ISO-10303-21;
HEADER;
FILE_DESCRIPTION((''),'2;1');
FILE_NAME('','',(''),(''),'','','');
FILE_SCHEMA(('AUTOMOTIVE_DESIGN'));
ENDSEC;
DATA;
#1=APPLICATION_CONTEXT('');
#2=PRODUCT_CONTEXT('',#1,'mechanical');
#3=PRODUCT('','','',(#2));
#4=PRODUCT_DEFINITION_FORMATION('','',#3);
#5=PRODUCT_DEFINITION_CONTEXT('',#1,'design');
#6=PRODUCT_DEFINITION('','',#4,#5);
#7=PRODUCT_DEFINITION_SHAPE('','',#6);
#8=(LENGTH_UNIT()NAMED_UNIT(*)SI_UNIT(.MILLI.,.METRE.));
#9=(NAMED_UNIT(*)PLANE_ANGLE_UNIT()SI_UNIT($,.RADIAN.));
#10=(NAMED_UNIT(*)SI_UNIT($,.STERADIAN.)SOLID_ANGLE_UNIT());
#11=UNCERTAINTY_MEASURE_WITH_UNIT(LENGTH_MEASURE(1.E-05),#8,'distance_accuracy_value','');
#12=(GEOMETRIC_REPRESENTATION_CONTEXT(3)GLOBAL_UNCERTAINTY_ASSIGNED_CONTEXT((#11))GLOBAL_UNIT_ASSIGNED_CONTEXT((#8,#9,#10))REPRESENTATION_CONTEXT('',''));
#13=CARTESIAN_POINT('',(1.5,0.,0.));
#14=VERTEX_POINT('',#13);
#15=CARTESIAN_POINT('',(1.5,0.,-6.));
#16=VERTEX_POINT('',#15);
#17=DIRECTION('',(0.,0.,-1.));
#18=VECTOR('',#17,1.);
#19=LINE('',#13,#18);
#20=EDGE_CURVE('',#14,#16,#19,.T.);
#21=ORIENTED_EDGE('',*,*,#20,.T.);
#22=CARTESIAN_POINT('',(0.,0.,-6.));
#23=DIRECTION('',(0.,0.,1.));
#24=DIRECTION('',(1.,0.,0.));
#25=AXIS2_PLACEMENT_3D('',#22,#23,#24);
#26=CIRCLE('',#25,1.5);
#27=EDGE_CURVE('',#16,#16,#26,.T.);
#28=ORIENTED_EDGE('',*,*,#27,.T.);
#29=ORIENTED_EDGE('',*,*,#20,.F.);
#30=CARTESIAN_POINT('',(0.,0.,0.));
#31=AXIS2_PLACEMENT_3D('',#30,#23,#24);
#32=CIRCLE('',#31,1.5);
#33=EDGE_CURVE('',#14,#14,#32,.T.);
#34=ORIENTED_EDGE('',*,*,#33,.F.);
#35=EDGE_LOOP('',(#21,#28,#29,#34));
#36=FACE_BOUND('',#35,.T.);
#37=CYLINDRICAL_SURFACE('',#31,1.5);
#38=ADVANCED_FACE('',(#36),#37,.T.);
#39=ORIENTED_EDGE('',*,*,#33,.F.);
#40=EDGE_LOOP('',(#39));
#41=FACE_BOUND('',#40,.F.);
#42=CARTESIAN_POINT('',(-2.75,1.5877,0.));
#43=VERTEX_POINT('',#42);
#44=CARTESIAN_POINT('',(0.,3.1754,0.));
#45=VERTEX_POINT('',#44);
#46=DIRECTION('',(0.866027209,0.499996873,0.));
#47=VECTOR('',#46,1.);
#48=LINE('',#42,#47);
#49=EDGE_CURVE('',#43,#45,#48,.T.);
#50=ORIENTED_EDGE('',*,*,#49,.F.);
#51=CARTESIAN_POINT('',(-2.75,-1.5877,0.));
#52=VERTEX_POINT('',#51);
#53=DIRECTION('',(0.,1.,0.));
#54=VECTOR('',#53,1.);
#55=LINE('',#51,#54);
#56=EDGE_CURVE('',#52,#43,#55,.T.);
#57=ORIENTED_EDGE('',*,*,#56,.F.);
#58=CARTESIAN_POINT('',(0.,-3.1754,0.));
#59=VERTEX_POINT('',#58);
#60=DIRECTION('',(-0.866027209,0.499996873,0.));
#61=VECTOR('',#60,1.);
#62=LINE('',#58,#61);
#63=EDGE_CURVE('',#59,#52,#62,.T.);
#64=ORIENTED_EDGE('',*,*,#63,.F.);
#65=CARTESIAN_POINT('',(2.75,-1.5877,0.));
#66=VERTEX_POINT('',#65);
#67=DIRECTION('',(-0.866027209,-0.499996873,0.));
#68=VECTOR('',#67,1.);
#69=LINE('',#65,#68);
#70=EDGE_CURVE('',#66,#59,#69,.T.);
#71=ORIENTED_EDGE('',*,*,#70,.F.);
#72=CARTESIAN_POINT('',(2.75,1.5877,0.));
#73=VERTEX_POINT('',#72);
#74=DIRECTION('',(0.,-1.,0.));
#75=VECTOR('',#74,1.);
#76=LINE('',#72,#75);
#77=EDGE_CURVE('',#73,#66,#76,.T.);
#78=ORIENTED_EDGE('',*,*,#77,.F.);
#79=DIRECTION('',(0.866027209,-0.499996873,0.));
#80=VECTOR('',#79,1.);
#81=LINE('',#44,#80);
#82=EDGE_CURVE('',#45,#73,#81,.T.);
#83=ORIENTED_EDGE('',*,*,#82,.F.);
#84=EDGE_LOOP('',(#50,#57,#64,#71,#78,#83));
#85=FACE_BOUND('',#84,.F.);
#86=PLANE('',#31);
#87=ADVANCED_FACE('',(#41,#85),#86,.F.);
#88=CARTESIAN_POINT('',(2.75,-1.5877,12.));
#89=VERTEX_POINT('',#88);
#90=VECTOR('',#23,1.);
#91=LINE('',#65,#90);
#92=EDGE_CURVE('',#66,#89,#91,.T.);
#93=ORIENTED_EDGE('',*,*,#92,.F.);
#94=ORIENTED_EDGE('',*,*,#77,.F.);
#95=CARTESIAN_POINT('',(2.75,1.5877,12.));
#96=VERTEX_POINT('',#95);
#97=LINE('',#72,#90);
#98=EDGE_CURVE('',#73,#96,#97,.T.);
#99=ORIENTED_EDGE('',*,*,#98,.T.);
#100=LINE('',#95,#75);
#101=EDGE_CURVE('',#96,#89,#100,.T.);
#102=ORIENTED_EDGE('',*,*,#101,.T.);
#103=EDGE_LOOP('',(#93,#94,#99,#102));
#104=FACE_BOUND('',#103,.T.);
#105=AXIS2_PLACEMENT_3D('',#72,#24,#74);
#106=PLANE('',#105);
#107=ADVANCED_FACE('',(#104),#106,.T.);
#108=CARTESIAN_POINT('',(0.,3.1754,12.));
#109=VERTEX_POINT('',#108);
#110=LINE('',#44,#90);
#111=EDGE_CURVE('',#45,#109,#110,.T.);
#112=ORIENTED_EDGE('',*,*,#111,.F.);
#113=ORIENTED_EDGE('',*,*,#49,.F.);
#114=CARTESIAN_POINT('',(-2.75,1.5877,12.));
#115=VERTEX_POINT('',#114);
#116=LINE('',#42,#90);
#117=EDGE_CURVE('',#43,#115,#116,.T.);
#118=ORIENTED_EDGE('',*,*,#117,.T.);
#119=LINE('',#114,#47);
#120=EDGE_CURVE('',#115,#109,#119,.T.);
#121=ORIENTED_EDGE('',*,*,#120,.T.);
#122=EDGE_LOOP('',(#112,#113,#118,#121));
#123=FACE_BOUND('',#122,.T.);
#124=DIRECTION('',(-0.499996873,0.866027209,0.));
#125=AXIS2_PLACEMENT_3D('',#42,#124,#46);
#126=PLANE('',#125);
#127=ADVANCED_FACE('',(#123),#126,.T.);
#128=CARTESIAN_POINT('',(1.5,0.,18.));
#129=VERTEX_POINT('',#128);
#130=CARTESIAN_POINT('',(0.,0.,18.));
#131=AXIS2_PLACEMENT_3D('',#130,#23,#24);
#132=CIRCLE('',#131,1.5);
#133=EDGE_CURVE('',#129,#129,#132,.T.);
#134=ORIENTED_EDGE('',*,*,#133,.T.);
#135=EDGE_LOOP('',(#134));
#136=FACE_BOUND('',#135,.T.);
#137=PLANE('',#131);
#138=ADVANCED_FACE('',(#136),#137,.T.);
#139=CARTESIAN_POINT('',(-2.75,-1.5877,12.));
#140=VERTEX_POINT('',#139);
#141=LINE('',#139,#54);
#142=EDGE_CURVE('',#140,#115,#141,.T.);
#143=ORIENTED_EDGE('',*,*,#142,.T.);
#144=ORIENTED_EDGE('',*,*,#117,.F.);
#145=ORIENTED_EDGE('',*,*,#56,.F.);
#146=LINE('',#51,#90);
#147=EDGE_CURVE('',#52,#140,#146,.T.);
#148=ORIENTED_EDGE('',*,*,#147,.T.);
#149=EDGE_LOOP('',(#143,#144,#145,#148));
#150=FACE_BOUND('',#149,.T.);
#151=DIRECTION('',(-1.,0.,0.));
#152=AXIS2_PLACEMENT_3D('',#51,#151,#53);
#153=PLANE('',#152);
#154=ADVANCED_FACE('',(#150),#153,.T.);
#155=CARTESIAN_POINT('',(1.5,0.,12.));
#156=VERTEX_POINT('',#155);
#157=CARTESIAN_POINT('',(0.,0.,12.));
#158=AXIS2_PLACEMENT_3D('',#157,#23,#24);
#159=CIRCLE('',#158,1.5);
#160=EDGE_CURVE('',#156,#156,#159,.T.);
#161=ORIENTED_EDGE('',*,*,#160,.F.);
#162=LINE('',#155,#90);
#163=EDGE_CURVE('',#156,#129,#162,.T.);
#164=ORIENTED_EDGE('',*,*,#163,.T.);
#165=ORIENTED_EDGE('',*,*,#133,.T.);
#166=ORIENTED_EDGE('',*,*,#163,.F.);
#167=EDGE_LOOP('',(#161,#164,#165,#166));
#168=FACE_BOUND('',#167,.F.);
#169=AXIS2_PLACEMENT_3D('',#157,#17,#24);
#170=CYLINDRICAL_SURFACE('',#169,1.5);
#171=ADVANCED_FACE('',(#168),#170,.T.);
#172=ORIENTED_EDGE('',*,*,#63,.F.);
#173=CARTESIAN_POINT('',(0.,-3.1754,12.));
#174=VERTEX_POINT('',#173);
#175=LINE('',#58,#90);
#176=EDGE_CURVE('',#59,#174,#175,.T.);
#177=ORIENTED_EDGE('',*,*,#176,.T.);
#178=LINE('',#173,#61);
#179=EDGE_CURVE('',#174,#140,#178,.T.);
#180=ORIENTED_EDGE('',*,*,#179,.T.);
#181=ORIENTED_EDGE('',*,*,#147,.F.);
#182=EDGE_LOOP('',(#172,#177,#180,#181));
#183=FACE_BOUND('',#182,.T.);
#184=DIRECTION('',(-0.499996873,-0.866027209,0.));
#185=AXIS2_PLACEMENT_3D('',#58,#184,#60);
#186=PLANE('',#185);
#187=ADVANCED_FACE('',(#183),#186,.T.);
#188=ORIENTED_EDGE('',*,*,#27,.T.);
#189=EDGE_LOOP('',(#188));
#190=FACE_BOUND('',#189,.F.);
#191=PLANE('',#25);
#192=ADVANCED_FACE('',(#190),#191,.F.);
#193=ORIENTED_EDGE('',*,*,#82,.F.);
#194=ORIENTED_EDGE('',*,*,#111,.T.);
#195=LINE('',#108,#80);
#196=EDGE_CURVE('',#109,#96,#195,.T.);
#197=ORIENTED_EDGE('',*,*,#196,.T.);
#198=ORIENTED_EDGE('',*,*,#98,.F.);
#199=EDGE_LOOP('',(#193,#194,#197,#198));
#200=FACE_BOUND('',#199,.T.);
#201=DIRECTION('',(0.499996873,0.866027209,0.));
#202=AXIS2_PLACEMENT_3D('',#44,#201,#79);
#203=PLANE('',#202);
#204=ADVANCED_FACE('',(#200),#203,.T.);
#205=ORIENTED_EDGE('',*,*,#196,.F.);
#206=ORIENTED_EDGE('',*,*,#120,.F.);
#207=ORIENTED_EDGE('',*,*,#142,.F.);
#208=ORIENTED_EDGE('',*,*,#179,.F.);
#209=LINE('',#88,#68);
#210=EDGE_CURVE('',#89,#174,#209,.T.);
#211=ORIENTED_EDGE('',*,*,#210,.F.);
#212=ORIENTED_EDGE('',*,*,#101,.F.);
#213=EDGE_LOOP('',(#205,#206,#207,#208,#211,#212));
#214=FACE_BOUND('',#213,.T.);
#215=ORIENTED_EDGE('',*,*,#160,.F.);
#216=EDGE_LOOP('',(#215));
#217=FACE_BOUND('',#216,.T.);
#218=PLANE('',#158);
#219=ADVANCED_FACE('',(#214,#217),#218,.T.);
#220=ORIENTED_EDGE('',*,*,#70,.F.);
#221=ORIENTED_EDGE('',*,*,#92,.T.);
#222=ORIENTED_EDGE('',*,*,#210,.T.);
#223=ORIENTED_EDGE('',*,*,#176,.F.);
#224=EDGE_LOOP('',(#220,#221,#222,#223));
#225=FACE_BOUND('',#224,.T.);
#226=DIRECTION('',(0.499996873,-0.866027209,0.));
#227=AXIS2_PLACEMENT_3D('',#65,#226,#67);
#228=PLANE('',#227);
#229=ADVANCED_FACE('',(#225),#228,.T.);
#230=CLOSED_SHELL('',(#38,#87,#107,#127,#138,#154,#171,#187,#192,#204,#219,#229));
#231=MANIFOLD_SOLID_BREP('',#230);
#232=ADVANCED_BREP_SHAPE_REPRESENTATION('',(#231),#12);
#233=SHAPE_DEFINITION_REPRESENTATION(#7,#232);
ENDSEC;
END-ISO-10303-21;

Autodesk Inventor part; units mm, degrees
ref_plane "YZ Plane" through (0, 0, 0) normal (1, 0, 0) x (0, 1, 0)
ref_plane "XZ Plane" through (0, 0, 0) normal (0, 1, 0) x (-1, 0, 0)
ref_plane "XY Plane" through (0, 0, 0) normal (0, 0, 1) x (1, 0, 0)
sketch "スケッチ1" plane through (0, 0, 0) normal (0, 0, 1) x (1, 0, 0)
  line L0 (-2.75, 1.5877) -> (0, 3.1754)
  line L1 (0, 3.1754) -> (2.75, 1.5877)
  line L2 (2.75, 1.5877) -> (2.75, -1.5877)
  line L3 (2.75, -1.5877) -> (0, -3.1754)
  line L4 (0, -3.1754) -> (-2.75, -1.5877)
  line L5 (-2.75, -1.5877) -> (-2.75, 1.5877)
  circle A0 centre (0, 0) radius 1.5
  dimension "d0" = 5.5
  dimension "d1" = 3
extrude "押し出し1" add sketch "スケッチ1" along normal blind 12 contours L0 L1 L2 L3 L4 L5 | A0
sketch "スケッチ2" plane through (0, 0, 12) normal (0, 0, 1) x (1, 0, 0)
  circle A0 centre (0, 0) radius 1.5
  dimension "d4" = 3
extrude "押し出し2" add sketch "スケッチ2" along normal blind 6
extrude "押し出し3" add sketch "スケッチ1" against normal blind 6 contours A0
properties part number "スペーサー　両雄ねじ　m3-12" material "アルミニウム 2014-T4"
